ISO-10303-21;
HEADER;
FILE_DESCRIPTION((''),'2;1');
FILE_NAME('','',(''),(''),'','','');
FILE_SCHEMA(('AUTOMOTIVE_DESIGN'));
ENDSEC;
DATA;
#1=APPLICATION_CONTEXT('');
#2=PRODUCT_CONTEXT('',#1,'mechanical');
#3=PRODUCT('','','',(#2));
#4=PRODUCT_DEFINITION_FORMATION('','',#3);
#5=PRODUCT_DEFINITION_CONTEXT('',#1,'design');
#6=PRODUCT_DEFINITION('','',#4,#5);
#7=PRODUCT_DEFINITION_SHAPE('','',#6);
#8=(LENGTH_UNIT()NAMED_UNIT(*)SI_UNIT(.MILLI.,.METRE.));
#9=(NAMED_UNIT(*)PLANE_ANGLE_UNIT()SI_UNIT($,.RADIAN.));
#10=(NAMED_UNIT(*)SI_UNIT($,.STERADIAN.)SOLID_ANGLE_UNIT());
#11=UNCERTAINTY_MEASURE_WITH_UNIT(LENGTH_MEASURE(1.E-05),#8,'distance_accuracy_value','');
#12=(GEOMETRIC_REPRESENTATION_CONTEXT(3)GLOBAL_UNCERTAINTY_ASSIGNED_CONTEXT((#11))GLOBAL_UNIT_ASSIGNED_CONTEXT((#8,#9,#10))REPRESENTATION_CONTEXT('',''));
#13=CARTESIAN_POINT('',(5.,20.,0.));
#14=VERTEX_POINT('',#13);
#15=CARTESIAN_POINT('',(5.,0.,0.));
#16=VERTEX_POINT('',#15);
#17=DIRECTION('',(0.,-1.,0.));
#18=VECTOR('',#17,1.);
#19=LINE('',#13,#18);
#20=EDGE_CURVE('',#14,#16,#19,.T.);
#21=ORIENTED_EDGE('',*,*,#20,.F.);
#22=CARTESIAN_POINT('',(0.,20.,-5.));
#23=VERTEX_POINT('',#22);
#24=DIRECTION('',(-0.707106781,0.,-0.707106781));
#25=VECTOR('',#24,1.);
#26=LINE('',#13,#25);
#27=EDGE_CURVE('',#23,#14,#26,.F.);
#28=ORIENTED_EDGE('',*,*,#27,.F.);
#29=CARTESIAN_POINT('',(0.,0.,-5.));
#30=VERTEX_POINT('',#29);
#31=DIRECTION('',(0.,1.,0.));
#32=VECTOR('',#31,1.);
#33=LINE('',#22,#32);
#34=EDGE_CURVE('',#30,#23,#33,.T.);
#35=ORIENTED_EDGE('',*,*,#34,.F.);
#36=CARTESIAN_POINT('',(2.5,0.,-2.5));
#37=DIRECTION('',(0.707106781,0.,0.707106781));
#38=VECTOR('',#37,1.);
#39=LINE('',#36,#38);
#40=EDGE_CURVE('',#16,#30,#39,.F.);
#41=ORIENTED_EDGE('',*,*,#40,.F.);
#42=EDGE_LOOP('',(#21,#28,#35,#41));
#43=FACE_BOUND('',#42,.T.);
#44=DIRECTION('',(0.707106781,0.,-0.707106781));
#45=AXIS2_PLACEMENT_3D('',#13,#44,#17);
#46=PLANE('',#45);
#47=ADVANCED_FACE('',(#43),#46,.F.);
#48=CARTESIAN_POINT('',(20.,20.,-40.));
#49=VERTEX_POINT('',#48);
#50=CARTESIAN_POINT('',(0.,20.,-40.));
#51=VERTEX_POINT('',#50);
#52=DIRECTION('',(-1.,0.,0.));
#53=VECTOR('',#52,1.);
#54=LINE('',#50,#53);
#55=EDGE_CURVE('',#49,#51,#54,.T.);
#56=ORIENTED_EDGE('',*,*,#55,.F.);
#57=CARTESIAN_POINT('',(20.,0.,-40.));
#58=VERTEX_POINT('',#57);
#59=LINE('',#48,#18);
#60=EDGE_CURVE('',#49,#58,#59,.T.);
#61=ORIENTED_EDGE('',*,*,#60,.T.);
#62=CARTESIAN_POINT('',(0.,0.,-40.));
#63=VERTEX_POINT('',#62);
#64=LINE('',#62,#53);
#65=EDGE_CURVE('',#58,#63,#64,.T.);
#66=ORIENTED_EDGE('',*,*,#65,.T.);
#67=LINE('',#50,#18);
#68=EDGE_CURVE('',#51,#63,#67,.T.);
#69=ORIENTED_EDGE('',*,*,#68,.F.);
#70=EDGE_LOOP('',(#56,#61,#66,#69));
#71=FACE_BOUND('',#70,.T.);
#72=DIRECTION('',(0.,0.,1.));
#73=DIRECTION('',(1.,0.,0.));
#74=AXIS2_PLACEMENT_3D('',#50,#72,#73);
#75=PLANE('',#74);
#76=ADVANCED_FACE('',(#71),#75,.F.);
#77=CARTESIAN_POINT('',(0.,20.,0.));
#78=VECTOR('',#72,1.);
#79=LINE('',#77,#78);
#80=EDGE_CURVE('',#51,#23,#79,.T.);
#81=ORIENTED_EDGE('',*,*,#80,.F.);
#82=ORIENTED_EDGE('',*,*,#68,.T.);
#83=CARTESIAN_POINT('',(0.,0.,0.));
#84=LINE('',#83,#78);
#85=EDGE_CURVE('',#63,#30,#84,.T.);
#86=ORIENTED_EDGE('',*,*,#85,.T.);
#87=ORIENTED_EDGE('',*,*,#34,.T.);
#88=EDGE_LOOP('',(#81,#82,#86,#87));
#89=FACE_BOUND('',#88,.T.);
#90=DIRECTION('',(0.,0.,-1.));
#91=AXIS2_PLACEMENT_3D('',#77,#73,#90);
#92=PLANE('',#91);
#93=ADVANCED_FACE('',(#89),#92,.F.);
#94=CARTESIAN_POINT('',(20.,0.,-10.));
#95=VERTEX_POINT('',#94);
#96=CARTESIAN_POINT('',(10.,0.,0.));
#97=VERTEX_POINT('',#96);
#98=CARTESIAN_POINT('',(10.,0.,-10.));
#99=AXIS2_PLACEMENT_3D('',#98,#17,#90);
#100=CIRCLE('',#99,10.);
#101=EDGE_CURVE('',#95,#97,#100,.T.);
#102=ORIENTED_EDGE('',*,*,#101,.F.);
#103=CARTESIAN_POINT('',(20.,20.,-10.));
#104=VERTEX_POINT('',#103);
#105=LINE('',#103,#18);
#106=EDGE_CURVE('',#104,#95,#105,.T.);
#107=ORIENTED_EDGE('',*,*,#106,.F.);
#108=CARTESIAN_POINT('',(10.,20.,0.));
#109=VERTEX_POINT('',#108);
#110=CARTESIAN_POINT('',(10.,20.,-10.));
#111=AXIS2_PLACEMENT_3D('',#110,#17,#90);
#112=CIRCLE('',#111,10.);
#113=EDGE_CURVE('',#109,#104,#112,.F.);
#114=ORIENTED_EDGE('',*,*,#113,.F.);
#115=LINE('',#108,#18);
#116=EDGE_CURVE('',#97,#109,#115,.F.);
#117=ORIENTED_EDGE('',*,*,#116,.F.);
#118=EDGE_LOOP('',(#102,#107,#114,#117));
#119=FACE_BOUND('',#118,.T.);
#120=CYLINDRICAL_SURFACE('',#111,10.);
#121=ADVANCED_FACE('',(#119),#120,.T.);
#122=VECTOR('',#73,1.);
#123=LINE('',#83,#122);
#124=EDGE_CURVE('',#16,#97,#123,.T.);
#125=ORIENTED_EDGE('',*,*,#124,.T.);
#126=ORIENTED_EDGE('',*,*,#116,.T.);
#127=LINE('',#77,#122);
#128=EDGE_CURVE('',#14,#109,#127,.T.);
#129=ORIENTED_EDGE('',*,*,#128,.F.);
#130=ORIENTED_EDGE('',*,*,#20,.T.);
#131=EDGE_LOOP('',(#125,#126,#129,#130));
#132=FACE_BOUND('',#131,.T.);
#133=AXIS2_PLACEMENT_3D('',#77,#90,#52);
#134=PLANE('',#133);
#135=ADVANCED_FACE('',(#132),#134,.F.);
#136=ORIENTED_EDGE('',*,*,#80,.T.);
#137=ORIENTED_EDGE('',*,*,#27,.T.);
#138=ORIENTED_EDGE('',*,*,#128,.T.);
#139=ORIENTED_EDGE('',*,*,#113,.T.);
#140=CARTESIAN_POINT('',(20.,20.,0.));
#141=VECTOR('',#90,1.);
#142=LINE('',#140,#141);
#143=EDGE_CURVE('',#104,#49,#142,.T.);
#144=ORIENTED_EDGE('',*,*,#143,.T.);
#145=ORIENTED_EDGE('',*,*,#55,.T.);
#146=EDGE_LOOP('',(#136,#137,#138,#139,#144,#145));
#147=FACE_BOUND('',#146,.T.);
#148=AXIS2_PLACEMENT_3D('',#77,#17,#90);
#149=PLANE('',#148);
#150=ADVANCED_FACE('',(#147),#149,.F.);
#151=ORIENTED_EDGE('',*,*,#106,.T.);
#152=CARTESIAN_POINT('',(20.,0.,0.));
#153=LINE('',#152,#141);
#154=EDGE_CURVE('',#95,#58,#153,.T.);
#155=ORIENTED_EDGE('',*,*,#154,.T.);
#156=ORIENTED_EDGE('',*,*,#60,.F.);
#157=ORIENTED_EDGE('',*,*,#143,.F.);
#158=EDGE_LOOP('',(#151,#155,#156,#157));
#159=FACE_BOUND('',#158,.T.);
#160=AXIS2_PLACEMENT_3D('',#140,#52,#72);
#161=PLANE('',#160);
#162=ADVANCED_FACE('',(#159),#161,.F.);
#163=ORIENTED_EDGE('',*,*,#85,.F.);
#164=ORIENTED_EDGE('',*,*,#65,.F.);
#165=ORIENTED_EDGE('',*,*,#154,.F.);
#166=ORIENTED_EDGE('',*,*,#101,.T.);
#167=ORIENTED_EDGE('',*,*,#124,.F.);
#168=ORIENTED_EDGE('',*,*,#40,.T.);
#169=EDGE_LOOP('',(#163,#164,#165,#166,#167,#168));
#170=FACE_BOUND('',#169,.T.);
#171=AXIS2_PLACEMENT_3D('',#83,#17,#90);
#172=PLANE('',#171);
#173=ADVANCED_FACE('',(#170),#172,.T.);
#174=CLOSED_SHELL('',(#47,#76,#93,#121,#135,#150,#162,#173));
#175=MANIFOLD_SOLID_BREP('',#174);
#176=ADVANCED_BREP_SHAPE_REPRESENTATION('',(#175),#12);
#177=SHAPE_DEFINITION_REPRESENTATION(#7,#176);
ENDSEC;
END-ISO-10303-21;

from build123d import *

# Parameters (mm, degrees)
SKETCH2_W           = 20
SKETCH2_H           = 40
BOSS_EXTRUDE1_DEPTH = 20
FILLET1_R           = 10
CHAMFER1_SIZE       = 5


with BuildPart() as part:
    # Sketch2 → Boss-Extrude1 (new body)
    with BuildSketch(Plane(origin=(0, 0, 0), x_dir=(1, 0, 0), z_dir=(0, 1, 0))):
        with Locations((10, 20)):
            Rectangle(SKETCH2_W, SKETCH2_H)
    extrude(amount=BOSS_EXTRUDE1_DEPTH)

    # Fillet1
    fillet1_edges = [part.edges().sort_by_distance(p)[0] for p in [
        (20, 10, 0),
    ]]
    fillet(fillet1_edges, radius=FILLET1_R)

    # Chamfer1
    chamfer1_edges = [part.edges().sort_by_distance(p)[0] for p in [
        (0, 10, 0),
    ]]
    chamfer(chamfer1_edges, length=CHAMFER1_SIZE)


solid = part.part
